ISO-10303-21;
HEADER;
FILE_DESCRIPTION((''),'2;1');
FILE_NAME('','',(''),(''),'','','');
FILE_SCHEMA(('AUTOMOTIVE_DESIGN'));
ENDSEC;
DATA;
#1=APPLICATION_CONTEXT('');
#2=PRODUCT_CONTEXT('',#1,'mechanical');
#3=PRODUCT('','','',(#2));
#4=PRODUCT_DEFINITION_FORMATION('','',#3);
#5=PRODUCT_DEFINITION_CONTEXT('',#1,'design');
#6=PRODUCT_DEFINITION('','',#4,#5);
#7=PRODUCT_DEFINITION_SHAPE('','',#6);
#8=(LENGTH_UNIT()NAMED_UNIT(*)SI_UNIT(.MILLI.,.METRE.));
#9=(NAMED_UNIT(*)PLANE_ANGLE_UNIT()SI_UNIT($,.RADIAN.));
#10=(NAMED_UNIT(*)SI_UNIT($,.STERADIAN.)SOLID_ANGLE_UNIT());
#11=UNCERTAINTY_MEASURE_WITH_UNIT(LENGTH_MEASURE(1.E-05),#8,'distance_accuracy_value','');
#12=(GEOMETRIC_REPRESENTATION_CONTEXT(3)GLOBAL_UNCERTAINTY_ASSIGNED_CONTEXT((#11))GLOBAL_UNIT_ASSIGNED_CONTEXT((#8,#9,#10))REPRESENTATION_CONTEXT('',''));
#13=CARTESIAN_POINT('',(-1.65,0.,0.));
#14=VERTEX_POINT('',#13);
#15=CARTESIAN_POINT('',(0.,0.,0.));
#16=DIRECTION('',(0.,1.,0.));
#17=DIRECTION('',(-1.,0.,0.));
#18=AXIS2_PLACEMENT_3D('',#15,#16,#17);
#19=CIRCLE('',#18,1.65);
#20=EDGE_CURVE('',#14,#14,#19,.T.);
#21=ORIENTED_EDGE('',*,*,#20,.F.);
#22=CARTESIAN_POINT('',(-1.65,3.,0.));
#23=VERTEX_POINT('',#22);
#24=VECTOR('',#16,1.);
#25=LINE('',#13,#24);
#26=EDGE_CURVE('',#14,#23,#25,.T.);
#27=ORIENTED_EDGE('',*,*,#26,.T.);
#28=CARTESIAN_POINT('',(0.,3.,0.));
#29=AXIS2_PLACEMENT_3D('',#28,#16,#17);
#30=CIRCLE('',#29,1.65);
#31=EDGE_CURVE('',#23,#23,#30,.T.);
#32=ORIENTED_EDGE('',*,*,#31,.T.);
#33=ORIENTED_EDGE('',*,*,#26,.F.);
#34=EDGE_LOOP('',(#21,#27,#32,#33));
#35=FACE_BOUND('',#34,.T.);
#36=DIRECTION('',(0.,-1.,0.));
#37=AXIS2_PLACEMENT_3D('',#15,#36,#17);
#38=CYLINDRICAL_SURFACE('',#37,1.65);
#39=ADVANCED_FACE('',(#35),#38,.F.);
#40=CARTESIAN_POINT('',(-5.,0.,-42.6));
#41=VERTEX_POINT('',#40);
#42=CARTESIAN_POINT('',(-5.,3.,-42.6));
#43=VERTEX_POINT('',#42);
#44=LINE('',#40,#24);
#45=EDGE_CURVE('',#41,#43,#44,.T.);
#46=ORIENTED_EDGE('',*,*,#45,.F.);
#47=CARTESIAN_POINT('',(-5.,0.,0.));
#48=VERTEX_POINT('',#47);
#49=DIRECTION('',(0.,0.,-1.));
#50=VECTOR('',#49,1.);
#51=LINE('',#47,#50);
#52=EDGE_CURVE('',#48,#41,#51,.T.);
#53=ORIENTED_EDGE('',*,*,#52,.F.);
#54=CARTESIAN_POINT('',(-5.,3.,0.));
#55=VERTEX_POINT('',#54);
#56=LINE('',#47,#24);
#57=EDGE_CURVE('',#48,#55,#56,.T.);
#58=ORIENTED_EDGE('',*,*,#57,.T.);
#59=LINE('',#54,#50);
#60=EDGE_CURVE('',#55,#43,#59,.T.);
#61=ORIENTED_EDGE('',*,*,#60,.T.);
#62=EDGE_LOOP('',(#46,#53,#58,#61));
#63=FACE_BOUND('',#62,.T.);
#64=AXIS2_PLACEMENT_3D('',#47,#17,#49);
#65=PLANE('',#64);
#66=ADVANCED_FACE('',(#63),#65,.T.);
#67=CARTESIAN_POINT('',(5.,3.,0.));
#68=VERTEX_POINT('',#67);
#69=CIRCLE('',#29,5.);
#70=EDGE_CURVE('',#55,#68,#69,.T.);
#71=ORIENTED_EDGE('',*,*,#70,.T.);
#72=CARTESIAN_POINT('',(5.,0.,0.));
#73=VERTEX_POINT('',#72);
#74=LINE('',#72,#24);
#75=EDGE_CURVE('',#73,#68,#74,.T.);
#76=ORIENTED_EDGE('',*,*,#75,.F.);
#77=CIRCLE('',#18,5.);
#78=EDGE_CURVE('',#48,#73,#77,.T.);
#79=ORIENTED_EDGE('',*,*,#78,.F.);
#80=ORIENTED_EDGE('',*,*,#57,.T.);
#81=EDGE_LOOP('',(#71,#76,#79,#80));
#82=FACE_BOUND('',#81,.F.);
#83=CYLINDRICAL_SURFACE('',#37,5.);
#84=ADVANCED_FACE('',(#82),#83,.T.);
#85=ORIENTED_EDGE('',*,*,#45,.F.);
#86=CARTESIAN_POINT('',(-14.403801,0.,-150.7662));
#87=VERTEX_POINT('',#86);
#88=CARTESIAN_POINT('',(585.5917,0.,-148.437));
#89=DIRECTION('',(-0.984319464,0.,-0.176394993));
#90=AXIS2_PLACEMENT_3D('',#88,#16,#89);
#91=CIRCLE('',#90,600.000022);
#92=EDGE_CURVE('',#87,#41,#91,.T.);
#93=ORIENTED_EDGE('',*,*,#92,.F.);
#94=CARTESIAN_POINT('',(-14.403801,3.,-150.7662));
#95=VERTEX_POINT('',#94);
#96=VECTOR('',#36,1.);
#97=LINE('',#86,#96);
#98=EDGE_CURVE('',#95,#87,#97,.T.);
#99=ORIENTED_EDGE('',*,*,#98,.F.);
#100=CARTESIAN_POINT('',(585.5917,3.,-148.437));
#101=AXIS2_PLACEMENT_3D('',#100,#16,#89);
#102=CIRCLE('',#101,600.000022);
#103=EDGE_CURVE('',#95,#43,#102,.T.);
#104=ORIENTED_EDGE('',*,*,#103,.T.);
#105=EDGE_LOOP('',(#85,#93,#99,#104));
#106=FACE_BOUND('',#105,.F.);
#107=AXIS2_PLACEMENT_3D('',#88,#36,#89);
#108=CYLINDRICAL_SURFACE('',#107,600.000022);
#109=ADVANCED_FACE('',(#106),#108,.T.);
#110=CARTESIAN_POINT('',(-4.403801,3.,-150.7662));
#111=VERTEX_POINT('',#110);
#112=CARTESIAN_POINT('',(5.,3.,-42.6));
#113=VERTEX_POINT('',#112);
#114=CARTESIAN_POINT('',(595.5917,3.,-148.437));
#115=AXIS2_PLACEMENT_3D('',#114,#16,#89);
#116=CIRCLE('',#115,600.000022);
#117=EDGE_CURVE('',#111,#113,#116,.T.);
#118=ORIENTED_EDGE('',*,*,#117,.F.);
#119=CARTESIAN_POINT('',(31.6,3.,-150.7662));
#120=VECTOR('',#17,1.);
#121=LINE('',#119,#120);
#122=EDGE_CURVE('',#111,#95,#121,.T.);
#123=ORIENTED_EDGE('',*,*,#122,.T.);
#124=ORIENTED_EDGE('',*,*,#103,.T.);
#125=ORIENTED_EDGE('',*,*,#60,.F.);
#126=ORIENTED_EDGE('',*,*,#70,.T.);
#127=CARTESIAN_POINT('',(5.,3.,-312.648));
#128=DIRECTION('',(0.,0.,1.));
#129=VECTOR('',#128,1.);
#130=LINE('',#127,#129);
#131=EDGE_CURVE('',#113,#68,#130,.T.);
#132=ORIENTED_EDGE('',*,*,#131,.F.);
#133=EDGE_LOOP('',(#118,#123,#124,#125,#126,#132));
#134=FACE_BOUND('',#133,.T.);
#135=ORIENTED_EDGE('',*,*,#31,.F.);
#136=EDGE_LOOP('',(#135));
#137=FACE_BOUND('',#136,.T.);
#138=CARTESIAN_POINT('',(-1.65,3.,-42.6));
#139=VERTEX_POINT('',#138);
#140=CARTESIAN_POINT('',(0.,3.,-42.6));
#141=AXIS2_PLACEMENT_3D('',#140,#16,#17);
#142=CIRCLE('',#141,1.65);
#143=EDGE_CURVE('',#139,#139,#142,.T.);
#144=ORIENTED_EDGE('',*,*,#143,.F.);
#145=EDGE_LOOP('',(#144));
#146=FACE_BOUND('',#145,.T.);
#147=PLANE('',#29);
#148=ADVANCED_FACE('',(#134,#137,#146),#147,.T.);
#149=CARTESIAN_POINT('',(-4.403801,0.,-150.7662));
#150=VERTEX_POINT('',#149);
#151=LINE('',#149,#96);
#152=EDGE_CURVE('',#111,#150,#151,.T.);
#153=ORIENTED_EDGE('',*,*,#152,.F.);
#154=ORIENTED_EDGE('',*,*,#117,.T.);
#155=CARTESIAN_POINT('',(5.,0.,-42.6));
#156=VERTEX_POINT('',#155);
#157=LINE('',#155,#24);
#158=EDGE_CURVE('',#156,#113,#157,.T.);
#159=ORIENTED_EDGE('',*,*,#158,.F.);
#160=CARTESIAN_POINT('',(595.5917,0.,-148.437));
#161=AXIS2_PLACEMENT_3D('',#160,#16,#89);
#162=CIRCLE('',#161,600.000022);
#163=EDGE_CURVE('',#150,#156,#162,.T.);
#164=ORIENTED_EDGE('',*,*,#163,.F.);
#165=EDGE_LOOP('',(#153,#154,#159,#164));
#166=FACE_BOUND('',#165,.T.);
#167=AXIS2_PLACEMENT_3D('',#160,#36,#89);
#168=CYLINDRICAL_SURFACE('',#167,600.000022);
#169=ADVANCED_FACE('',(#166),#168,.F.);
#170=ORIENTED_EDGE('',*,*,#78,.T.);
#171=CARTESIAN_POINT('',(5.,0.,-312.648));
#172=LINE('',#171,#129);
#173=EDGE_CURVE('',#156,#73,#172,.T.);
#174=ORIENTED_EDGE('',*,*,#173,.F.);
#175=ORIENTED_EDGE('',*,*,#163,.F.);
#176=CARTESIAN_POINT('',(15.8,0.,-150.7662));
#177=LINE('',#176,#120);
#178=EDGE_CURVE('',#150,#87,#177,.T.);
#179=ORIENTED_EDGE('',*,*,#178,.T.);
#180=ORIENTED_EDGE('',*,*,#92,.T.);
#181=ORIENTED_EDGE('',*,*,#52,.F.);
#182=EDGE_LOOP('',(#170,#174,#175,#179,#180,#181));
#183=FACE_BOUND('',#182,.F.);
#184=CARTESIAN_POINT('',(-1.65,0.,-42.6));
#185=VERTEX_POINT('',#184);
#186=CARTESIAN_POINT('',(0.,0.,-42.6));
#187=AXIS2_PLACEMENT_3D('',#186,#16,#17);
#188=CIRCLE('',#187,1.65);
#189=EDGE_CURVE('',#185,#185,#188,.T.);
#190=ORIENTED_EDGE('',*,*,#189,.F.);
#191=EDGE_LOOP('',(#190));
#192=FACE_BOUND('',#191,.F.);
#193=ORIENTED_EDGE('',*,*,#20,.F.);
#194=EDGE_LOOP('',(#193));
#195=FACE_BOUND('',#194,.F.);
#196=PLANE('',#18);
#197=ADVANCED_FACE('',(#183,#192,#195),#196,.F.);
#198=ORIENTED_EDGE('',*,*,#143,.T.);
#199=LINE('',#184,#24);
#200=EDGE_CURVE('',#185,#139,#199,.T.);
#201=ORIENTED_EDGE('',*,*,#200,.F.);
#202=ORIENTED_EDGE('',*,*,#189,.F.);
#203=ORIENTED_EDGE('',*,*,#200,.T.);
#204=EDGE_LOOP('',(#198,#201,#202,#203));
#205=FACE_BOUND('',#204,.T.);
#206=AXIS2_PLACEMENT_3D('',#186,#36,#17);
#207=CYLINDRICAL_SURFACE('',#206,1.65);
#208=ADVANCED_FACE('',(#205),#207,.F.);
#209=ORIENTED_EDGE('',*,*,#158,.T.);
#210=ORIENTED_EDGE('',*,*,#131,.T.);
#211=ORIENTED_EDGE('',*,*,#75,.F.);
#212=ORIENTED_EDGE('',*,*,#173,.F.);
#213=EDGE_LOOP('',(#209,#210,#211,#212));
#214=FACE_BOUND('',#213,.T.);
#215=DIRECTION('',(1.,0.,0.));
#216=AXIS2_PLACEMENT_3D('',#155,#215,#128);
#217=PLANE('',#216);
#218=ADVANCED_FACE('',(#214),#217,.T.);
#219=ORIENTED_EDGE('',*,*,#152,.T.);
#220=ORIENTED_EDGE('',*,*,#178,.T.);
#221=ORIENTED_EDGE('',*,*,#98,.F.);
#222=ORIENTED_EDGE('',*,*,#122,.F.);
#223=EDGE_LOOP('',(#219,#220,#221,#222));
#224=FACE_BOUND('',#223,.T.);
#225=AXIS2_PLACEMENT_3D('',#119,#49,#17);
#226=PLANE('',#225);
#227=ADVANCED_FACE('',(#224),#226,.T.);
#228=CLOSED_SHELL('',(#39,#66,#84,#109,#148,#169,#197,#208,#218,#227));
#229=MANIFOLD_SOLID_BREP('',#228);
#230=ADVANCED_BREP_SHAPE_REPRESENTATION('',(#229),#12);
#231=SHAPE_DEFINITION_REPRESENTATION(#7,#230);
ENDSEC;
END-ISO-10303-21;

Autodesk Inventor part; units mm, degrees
ref_plane "YZ Plane" through (0, 0, 0) normal (1, 0, 0) x (0, 1, 0)
ref_plane "XZ Plane" through (0, 0, 0) normal (0, 1, 0) x (-1, 0, 0)
ref_plane "XY Plane" through (0, 0, 0) normal (0, 0, 1) x (1, 0, 0)
sketch "Sketch1" plane through (0, 0, 0) normal (0, 1, 0) x (-1, 0, 0)
  line L0 (0, 0) -> (0, -312.648) construction
  line L1 (5, 0) -> (5, -312.648)
  line L2 (-5, -312.648) -> (-5, 0)
  arc A0 (5, 0) -> (-5, 0) centre (0, 0) ccw
  arc A1 (-5, -312.648) -> (5, -312.648) centre (0, -312.648) ccw
  circle A2 centre (0, 0) radius 1.65
  circle A3 centre (0, -312.648) radius 1.65
  circle A4 centre (0, -42.6) radius 1.65
  circle A5 centre (0, -254.274) radius 1.65
  arc A6 (5, -254.274) -> (5, -42.6) centre (-585.5917, -148.437) ccw
  arc A7 (-5, -254.274) -> (-5, -42.6) centre (-595.5917, -148.437) ccw
  point P0 (0, -156.324)
  dimension "d0" = 3.3
  dimension "d1" = 3.3
  dimension "d2" = 10
  dimension "d3" = 312.648
  dimension "d10" = 3.3
  dimension "d11" = 42.6
  dimension "d12" = 3.3
  dimension "d13" = 254.274
  dimension "d16" = 600
  dimension "d17" = 600
extrude "Extrusion1" add sketch "Sketch1" along normal blind 3 contours L1 A1 L2 A7 A0 | A6 L1
sketch "Sketch2" plane through (0, 3, 0) normal (0, 1, 0) x (1, 0, 0)
  line L0 (-83.1437, 348.5388) -> (78.2815, 348.5388)
  line L1 (78.2815, 348.5388) -> (78.2815, -47.0064)
  line L2 (78.2815, -47.0064) -> (-83.1437, -47.0064)
  line L3 (-83.1437, -47.0064) -> (-83.1437, 348.5388)
  line L4 (-31.117, 331.0778) -> (31.6, 331.0778)
  line L5 (31.6, 331.0778) -> (31.6, 150.7662)
  line L6 (31.6, 150.7662) -> (-31.117, 150.7662)
  line L7 (-31.117, 150.7662) -> (-31.117, 331.0778)
  point P0 (0, 0)
extrude "Extrusion2" cut sketch "Sketch2" against normal blind 10 contours L4 L5 L6 L7
properties part number "Part_5_p1"
